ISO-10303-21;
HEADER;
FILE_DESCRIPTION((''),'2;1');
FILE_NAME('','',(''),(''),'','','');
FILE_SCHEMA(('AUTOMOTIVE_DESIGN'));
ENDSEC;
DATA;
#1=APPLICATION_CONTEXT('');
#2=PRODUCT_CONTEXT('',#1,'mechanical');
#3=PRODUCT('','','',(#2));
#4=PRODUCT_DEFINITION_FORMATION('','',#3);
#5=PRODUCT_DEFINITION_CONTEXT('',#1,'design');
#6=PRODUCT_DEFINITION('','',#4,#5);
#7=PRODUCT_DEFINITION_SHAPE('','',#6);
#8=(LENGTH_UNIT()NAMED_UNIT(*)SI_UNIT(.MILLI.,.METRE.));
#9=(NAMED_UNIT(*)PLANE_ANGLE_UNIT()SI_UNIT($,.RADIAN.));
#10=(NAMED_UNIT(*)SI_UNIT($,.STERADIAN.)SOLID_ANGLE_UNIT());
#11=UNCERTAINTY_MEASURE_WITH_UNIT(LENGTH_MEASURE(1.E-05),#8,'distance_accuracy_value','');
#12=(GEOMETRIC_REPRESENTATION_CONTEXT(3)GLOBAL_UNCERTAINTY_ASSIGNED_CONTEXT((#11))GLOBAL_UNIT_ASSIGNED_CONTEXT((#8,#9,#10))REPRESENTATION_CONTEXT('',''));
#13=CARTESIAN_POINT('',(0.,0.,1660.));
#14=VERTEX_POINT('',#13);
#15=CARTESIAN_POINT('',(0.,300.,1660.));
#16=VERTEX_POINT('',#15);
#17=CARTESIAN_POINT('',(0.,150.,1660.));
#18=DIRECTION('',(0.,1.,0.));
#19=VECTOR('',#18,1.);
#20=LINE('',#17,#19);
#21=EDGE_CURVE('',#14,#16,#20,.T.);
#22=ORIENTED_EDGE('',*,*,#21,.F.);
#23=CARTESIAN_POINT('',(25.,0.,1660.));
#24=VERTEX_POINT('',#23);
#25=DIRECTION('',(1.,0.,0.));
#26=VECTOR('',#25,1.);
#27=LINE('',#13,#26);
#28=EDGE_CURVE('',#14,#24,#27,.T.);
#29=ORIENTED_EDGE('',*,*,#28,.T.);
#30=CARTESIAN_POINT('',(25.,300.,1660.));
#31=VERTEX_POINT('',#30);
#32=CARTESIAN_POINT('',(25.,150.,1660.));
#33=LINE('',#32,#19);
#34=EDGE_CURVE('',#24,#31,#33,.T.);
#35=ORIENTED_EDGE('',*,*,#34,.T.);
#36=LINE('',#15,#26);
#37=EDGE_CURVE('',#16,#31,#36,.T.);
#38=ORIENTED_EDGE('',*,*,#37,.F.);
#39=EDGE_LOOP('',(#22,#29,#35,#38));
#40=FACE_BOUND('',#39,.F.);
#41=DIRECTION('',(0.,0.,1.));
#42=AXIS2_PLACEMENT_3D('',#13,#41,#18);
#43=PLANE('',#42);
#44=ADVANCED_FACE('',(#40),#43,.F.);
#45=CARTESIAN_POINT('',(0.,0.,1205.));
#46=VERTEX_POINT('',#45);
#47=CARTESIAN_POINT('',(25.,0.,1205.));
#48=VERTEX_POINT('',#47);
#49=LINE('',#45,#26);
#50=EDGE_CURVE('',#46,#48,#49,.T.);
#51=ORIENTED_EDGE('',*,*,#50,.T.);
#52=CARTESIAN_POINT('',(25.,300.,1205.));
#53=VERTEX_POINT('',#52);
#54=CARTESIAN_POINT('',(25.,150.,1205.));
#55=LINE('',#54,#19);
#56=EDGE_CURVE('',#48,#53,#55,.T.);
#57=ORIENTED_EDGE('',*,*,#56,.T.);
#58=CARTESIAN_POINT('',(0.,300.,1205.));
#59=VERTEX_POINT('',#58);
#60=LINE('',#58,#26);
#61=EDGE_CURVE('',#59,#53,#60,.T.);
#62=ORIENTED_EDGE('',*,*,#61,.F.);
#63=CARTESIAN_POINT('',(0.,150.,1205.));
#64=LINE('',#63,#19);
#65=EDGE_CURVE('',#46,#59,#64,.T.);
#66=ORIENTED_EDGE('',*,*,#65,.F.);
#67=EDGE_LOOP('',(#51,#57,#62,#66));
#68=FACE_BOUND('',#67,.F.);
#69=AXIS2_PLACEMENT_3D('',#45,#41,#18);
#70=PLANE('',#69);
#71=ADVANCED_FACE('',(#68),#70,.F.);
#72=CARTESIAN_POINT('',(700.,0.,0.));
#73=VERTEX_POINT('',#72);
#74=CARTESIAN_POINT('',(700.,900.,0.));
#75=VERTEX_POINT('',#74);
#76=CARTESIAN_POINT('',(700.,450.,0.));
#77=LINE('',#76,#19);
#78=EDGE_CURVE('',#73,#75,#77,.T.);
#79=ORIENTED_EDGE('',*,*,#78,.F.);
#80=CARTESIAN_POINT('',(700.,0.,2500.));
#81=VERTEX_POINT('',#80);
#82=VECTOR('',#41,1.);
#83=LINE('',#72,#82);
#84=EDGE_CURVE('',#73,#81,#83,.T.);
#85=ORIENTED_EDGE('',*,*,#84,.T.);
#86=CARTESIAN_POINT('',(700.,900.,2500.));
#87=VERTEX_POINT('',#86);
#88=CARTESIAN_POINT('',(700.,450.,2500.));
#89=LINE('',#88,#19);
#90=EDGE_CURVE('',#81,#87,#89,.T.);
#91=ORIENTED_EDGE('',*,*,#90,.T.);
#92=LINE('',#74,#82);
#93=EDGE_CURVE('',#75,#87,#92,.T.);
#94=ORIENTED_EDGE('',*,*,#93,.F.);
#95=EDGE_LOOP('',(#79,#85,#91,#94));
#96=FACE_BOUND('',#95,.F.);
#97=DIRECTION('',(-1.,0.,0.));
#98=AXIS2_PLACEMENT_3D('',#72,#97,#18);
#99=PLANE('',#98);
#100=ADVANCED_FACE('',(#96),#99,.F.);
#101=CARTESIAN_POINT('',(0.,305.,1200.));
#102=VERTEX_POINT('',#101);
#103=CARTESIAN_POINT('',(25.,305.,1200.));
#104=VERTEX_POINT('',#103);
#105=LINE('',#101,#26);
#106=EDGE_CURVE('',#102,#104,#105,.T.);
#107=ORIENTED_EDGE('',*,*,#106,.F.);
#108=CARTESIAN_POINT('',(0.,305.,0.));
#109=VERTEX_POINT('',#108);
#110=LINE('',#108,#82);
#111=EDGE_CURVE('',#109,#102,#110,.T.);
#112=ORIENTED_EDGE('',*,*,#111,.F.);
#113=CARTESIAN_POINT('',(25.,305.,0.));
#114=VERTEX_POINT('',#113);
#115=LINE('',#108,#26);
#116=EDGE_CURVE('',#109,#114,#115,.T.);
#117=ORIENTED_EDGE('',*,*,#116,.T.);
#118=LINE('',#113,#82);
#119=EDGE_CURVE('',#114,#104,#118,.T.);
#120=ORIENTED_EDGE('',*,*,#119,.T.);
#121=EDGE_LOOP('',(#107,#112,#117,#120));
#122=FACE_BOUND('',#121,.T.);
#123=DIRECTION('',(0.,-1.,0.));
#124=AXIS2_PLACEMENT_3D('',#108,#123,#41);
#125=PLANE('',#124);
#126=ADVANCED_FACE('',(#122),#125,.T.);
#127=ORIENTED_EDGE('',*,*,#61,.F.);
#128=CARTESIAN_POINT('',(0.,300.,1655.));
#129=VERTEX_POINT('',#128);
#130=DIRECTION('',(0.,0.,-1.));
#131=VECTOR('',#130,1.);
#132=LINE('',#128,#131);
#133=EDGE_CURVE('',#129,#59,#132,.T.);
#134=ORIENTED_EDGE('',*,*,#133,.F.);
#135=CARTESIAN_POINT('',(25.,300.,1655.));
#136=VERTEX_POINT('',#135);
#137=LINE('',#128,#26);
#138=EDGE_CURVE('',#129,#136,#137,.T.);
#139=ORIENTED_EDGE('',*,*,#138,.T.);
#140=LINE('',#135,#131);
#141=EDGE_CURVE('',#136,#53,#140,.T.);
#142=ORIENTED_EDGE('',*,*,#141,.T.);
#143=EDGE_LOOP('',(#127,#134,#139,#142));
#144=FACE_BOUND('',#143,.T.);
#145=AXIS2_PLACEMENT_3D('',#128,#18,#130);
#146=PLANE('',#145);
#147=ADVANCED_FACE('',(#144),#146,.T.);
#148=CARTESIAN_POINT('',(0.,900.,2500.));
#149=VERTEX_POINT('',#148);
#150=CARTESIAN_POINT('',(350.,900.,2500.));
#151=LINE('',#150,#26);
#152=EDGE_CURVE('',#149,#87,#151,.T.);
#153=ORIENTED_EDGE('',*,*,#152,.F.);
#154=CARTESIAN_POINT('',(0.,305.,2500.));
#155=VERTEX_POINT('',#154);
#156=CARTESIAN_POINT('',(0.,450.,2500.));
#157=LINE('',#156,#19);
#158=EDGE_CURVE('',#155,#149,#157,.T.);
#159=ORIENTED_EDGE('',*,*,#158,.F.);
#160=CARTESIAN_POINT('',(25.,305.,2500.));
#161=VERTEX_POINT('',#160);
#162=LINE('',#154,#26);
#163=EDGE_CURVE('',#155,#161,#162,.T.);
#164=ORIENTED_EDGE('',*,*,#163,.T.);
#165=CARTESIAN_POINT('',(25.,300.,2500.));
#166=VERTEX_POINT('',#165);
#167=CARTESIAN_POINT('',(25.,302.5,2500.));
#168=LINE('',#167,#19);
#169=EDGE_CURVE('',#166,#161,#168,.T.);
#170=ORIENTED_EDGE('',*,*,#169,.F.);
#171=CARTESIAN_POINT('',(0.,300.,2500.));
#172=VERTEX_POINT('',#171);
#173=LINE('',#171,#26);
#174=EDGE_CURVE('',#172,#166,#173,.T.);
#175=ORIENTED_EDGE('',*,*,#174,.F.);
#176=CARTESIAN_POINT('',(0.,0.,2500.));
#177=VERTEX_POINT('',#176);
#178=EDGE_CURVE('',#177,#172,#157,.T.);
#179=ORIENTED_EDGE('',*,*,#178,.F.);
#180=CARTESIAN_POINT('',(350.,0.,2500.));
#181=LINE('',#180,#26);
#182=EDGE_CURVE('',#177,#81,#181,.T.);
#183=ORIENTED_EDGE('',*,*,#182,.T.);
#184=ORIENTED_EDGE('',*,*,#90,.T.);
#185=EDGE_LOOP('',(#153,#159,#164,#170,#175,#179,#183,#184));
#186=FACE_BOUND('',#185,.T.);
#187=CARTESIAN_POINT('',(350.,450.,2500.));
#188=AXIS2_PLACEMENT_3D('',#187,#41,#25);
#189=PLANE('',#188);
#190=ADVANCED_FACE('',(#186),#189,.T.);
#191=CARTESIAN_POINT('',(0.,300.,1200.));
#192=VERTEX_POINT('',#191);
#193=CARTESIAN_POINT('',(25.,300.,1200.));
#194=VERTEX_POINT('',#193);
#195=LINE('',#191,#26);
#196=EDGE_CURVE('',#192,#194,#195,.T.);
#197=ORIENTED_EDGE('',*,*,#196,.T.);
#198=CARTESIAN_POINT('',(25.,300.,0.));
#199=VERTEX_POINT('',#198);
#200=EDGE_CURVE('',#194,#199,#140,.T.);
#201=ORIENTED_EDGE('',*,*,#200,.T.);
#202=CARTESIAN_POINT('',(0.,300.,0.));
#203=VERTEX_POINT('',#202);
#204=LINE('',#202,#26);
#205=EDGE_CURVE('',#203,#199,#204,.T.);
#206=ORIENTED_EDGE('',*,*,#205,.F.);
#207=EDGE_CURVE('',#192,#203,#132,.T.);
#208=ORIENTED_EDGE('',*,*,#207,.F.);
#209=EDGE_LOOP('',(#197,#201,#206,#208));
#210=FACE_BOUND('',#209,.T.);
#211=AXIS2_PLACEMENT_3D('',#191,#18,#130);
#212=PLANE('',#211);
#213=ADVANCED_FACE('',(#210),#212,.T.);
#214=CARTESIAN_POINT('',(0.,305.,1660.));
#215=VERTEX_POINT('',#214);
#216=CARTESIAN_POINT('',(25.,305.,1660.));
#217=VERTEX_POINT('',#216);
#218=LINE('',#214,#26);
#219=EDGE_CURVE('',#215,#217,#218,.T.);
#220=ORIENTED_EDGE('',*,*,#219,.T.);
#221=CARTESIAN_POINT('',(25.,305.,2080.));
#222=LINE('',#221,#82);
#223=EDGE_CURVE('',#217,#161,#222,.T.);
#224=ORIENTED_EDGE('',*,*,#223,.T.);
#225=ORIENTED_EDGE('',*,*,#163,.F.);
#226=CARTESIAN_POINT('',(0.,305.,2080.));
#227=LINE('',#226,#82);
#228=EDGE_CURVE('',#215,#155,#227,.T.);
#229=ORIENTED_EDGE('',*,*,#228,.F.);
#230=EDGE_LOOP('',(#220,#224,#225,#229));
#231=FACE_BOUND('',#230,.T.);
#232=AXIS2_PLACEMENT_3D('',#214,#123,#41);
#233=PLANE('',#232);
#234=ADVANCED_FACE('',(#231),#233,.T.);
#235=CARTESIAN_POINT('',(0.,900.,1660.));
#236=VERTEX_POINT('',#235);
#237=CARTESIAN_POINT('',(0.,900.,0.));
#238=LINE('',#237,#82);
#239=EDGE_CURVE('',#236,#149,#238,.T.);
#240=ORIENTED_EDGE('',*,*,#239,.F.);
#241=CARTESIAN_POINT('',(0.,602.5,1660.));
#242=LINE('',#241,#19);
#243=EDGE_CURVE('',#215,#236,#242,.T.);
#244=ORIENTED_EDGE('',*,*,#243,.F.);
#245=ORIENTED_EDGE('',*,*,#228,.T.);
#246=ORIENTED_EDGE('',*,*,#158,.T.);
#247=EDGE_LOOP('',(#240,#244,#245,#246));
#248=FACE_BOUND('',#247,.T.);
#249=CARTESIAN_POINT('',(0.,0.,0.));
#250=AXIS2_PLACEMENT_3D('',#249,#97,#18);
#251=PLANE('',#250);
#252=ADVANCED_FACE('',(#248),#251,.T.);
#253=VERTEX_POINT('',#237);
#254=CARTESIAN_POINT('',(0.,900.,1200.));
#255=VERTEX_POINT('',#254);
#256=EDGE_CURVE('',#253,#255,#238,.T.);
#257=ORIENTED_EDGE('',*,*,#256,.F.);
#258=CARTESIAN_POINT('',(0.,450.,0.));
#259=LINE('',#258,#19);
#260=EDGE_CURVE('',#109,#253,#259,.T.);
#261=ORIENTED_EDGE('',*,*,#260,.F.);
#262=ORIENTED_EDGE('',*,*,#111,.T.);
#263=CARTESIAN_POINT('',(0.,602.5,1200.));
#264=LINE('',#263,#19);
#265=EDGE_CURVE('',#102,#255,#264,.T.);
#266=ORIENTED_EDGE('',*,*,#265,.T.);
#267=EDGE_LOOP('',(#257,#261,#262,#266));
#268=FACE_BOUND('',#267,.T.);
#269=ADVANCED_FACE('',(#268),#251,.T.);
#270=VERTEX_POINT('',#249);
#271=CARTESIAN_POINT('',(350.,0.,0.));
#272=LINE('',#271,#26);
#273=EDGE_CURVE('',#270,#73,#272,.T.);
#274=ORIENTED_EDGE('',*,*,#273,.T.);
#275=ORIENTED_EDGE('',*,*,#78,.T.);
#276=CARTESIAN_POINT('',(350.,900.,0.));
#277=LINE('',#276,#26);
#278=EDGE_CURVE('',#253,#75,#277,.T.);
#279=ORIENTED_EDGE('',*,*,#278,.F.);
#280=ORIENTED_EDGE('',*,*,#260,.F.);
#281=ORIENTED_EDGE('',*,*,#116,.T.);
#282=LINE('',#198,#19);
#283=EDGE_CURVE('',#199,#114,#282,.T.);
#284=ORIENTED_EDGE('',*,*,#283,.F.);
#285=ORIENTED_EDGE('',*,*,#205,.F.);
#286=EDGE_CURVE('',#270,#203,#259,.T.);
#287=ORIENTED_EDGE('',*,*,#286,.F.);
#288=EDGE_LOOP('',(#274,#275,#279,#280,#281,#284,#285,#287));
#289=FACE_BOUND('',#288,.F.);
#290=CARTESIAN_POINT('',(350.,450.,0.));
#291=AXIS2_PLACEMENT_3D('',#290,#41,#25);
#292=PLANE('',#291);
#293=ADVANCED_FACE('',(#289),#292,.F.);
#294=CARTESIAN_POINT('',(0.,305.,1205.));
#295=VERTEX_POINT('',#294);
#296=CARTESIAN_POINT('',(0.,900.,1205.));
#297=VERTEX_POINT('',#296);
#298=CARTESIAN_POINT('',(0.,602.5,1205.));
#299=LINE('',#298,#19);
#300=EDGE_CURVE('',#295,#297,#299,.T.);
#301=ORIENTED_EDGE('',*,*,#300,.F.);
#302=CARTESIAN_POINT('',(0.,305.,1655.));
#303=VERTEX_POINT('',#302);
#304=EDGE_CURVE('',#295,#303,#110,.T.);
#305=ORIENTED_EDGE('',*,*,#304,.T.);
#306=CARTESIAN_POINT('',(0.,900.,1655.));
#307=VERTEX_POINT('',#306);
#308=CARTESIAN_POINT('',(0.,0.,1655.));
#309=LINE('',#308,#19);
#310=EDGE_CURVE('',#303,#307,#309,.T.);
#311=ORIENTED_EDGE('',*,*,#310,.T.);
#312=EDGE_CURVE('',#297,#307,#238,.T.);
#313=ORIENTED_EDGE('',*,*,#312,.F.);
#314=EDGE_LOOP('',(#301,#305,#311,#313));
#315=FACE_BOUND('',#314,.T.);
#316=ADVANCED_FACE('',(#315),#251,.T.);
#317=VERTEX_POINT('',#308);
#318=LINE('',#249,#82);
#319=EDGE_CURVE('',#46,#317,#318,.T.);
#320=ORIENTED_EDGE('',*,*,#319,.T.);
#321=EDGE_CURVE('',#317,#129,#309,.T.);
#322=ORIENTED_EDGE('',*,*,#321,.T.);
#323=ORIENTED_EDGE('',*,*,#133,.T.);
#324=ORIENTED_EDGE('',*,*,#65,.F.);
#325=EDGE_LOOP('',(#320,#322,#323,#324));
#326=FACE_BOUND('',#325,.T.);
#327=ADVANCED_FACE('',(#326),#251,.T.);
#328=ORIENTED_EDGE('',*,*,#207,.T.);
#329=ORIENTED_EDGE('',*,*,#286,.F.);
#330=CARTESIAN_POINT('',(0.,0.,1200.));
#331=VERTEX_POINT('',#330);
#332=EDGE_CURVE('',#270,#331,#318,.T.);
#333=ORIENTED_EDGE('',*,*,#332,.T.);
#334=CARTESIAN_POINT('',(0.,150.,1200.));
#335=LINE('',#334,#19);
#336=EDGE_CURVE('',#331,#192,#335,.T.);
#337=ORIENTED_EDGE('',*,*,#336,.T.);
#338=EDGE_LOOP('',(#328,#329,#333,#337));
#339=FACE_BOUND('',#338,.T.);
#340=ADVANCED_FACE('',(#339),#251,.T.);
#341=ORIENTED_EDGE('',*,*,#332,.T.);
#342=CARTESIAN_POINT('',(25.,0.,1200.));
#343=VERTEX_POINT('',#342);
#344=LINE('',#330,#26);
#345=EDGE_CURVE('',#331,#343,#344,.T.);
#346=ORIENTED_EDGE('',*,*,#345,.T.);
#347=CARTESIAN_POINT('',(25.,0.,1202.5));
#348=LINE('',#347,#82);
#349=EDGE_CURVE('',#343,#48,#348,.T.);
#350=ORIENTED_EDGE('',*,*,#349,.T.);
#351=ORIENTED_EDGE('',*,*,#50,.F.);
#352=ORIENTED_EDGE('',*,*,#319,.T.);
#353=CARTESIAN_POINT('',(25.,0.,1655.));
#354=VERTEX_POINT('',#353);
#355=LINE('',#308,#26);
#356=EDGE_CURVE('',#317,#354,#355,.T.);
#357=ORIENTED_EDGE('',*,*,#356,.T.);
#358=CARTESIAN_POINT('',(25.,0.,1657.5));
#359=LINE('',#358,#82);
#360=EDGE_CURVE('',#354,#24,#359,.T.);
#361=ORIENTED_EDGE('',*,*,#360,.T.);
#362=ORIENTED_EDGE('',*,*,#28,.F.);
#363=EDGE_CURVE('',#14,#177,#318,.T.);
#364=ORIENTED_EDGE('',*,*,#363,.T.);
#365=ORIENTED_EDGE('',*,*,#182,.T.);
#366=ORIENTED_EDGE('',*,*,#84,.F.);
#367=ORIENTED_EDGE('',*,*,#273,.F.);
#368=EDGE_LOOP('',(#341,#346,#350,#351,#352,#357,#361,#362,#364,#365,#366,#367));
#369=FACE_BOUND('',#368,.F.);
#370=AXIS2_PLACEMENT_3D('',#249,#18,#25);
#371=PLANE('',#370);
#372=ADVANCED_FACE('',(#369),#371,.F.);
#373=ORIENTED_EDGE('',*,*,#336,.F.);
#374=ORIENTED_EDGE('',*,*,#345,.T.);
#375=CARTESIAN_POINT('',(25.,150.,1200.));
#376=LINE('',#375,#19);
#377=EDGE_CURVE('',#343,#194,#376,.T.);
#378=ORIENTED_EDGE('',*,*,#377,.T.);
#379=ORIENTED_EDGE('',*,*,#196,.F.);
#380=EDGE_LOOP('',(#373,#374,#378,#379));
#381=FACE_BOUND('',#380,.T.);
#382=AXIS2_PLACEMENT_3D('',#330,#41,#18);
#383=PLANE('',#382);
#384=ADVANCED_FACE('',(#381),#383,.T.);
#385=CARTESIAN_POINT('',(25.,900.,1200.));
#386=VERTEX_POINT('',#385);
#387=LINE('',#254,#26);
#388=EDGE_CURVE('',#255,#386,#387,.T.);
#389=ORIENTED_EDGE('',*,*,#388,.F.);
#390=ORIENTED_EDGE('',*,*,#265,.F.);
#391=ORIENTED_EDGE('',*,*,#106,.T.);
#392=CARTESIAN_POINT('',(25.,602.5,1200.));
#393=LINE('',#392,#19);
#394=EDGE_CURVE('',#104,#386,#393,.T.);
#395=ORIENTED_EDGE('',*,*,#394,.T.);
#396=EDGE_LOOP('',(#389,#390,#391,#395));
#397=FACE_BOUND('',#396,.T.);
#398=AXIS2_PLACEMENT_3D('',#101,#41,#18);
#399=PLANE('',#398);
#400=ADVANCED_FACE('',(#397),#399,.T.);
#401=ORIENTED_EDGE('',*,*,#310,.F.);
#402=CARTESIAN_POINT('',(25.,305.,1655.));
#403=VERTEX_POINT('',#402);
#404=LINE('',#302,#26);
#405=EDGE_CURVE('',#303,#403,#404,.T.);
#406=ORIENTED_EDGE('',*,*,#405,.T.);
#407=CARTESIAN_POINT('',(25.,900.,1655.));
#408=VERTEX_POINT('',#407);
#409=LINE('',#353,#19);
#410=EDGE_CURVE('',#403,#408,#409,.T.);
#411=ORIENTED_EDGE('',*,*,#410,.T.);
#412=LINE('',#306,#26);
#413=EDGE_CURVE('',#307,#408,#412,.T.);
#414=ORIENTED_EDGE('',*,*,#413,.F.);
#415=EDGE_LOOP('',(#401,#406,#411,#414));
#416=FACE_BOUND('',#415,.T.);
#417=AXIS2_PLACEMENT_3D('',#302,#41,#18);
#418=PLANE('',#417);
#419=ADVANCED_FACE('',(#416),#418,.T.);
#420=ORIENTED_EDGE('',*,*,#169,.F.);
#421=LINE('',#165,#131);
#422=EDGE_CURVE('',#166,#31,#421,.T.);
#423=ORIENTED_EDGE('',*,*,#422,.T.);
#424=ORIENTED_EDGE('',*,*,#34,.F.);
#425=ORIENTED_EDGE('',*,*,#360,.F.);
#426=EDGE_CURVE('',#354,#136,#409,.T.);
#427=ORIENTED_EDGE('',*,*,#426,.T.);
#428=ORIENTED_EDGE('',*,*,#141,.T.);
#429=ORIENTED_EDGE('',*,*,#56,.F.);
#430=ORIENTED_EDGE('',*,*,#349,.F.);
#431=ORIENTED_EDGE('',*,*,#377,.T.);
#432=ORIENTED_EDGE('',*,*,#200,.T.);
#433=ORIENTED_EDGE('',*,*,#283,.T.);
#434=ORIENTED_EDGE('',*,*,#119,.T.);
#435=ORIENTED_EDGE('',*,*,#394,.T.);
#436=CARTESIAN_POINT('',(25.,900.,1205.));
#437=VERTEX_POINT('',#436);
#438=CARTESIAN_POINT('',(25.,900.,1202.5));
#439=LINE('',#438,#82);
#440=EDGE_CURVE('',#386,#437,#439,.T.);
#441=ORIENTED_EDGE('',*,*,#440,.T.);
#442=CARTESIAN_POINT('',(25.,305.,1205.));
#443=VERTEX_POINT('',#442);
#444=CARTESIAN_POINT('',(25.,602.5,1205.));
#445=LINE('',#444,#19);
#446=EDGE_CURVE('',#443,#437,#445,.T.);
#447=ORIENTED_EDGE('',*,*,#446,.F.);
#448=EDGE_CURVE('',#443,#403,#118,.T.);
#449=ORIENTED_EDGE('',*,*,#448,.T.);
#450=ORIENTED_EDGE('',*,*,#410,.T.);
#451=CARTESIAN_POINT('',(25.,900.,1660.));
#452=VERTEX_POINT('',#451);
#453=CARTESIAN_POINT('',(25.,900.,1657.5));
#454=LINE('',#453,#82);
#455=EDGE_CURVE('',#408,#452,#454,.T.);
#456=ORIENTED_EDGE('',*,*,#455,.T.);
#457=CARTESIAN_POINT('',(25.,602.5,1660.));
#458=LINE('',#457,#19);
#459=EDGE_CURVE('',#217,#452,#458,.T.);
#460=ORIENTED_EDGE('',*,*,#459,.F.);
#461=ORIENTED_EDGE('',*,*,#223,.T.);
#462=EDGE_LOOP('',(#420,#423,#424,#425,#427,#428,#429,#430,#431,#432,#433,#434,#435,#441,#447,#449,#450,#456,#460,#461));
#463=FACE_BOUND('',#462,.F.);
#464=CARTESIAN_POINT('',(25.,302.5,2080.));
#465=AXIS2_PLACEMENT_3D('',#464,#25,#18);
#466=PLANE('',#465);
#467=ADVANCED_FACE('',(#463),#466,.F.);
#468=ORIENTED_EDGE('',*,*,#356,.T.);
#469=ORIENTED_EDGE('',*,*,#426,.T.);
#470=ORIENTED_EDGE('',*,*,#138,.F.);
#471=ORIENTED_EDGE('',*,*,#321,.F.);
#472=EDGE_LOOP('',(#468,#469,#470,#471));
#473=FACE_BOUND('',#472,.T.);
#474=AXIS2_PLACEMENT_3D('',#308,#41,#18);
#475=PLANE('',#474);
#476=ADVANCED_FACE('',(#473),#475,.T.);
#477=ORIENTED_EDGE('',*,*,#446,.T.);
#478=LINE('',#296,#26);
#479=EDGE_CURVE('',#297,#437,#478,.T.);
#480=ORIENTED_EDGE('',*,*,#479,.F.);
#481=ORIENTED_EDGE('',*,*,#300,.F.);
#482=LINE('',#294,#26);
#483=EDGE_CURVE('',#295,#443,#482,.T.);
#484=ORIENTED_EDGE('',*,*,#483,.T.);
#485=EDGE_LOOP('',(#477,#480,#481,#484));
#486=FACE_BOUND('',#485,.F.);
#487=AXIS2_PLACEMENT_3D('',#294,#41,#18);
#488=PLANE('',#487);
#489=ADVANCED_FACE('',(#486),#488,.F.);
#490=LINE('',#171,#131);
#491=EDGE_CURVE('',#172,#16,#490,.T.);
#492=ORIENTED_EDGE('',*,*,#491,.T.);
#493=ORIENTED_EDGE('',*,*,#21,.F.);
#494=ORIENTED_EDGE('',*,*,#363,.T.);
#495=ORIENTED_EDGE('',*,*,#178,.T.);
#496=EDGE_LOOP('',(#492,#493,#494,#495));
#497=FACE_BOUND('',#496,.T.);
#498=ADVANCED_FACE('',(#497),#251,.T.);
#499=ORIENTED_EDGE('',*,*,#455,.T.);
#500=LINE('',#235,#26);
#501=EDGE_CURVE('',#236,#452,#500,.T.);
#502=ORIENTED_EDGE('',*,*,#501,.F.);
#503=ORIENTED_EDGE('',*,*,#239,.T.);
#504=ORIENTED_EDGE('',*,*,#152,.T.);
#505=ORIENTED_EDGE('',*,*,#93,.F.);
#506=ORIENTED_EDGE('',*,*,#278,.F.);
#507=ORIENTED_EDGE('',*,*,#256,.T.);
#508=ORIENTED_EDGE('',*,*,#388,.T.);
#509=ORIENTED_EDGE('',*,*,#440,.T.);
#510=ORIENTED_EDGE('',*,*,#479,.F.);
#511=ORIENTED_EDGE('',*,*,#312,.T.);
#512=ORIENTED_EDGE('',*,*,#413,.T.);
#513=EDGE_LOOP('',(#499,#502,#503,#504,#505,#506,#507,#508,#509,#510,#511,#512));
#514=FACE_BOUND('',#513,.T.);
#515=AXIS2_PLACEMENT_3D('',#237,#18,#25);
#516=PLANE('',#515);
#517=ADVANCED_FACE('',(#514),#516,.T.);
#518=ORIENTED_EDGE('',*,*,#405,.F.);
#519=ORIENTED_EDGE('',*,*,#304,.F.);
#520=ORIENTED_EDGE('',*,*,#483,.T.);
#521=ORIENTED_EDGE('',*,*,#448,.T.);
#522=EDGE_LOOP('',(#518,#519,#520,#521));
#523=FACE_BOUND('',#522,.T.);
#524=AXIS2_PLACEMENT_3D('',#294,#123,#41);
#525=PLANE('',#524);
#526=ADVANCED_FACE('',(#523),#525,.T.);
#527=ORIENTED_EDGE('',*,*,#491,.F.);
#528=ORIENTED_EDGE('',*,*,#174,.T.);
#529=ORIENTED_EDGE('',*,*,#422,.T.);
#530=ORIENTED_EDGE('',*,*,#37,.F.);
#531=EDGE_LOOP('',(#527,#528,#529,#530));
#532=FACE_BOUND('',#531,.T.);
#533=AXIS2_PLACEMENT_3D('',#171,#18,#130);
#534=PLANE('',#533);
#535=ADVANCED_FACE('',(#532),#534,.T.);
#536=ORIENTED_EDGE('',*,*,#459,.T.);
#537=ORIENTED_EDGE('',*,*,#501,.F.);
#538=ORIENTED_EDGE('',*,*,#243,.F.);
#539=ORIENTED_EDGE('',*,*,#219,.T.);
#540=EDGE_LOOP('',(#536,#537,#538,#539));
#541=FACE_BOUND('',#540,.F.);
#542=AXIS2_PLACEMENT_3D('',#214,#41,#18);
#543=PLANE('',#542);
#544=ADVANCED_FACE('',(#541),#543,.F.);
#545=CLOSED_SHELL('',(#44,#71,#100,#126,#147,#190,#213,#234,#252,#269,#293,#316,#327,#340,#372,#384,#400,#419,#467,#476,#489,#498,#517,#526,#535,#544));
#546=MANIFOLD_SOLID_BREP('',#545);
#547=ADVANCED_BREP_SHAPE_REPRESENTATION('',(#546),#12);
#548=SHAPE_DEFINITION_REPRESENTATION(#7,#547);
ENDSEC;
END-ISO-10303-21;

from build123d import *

# Parameters (mm, degrees)
F0_W     = 700
F0_H     = 900
F1_DEPTH = 2500
F2_W     = 5
F2_H     = 840
F2_W_2   = 595
F2_H_2   = 5
F2_W_3   = 300
F3_DEPTH = 25


with BuildPart() as f1:
    # F0 (on Top) → F1 (new body)
    with BuildSketch(Plane.XY):
        with Locations((350, 450)):
            Rectangle(F0_W, F0_H)
    extrude(amount=F1_DEPTH)

    # F2 (on Right) → F3 (cut)
    with BuildSketch(Plane.YZ):
        with Locations((302.5, 2080)):
            Rectangle(F2_W, F2_H)
        with Locations((602.5, 1657.5)):
            Rectangle(F2_W_2, F2_H_2)
        with Locations((302.5, 1657.5)):
            Rectangle(F2_W, F2_H_2)
        with Locations((150, 1657.5)):
            Rectangle(F2_W_3, F2_H_2)
        Polygon((305, 1205), (305, 1655), (300, 1655), (300, 1205), (300, 1200), (300, 0), (305, 0), (305, 1200), align=None)
        with Locations((602.5, 1202.5)):
            Rectangle(F2_W_2, F2_H_2)
        with Locations((150, 1202.5)):
            Rectangle(F2_W_3, F2_H_2)
    extrude(amount=F3_DEPTH, mode=Mode.SUBTRACT)


solid = f1.part
